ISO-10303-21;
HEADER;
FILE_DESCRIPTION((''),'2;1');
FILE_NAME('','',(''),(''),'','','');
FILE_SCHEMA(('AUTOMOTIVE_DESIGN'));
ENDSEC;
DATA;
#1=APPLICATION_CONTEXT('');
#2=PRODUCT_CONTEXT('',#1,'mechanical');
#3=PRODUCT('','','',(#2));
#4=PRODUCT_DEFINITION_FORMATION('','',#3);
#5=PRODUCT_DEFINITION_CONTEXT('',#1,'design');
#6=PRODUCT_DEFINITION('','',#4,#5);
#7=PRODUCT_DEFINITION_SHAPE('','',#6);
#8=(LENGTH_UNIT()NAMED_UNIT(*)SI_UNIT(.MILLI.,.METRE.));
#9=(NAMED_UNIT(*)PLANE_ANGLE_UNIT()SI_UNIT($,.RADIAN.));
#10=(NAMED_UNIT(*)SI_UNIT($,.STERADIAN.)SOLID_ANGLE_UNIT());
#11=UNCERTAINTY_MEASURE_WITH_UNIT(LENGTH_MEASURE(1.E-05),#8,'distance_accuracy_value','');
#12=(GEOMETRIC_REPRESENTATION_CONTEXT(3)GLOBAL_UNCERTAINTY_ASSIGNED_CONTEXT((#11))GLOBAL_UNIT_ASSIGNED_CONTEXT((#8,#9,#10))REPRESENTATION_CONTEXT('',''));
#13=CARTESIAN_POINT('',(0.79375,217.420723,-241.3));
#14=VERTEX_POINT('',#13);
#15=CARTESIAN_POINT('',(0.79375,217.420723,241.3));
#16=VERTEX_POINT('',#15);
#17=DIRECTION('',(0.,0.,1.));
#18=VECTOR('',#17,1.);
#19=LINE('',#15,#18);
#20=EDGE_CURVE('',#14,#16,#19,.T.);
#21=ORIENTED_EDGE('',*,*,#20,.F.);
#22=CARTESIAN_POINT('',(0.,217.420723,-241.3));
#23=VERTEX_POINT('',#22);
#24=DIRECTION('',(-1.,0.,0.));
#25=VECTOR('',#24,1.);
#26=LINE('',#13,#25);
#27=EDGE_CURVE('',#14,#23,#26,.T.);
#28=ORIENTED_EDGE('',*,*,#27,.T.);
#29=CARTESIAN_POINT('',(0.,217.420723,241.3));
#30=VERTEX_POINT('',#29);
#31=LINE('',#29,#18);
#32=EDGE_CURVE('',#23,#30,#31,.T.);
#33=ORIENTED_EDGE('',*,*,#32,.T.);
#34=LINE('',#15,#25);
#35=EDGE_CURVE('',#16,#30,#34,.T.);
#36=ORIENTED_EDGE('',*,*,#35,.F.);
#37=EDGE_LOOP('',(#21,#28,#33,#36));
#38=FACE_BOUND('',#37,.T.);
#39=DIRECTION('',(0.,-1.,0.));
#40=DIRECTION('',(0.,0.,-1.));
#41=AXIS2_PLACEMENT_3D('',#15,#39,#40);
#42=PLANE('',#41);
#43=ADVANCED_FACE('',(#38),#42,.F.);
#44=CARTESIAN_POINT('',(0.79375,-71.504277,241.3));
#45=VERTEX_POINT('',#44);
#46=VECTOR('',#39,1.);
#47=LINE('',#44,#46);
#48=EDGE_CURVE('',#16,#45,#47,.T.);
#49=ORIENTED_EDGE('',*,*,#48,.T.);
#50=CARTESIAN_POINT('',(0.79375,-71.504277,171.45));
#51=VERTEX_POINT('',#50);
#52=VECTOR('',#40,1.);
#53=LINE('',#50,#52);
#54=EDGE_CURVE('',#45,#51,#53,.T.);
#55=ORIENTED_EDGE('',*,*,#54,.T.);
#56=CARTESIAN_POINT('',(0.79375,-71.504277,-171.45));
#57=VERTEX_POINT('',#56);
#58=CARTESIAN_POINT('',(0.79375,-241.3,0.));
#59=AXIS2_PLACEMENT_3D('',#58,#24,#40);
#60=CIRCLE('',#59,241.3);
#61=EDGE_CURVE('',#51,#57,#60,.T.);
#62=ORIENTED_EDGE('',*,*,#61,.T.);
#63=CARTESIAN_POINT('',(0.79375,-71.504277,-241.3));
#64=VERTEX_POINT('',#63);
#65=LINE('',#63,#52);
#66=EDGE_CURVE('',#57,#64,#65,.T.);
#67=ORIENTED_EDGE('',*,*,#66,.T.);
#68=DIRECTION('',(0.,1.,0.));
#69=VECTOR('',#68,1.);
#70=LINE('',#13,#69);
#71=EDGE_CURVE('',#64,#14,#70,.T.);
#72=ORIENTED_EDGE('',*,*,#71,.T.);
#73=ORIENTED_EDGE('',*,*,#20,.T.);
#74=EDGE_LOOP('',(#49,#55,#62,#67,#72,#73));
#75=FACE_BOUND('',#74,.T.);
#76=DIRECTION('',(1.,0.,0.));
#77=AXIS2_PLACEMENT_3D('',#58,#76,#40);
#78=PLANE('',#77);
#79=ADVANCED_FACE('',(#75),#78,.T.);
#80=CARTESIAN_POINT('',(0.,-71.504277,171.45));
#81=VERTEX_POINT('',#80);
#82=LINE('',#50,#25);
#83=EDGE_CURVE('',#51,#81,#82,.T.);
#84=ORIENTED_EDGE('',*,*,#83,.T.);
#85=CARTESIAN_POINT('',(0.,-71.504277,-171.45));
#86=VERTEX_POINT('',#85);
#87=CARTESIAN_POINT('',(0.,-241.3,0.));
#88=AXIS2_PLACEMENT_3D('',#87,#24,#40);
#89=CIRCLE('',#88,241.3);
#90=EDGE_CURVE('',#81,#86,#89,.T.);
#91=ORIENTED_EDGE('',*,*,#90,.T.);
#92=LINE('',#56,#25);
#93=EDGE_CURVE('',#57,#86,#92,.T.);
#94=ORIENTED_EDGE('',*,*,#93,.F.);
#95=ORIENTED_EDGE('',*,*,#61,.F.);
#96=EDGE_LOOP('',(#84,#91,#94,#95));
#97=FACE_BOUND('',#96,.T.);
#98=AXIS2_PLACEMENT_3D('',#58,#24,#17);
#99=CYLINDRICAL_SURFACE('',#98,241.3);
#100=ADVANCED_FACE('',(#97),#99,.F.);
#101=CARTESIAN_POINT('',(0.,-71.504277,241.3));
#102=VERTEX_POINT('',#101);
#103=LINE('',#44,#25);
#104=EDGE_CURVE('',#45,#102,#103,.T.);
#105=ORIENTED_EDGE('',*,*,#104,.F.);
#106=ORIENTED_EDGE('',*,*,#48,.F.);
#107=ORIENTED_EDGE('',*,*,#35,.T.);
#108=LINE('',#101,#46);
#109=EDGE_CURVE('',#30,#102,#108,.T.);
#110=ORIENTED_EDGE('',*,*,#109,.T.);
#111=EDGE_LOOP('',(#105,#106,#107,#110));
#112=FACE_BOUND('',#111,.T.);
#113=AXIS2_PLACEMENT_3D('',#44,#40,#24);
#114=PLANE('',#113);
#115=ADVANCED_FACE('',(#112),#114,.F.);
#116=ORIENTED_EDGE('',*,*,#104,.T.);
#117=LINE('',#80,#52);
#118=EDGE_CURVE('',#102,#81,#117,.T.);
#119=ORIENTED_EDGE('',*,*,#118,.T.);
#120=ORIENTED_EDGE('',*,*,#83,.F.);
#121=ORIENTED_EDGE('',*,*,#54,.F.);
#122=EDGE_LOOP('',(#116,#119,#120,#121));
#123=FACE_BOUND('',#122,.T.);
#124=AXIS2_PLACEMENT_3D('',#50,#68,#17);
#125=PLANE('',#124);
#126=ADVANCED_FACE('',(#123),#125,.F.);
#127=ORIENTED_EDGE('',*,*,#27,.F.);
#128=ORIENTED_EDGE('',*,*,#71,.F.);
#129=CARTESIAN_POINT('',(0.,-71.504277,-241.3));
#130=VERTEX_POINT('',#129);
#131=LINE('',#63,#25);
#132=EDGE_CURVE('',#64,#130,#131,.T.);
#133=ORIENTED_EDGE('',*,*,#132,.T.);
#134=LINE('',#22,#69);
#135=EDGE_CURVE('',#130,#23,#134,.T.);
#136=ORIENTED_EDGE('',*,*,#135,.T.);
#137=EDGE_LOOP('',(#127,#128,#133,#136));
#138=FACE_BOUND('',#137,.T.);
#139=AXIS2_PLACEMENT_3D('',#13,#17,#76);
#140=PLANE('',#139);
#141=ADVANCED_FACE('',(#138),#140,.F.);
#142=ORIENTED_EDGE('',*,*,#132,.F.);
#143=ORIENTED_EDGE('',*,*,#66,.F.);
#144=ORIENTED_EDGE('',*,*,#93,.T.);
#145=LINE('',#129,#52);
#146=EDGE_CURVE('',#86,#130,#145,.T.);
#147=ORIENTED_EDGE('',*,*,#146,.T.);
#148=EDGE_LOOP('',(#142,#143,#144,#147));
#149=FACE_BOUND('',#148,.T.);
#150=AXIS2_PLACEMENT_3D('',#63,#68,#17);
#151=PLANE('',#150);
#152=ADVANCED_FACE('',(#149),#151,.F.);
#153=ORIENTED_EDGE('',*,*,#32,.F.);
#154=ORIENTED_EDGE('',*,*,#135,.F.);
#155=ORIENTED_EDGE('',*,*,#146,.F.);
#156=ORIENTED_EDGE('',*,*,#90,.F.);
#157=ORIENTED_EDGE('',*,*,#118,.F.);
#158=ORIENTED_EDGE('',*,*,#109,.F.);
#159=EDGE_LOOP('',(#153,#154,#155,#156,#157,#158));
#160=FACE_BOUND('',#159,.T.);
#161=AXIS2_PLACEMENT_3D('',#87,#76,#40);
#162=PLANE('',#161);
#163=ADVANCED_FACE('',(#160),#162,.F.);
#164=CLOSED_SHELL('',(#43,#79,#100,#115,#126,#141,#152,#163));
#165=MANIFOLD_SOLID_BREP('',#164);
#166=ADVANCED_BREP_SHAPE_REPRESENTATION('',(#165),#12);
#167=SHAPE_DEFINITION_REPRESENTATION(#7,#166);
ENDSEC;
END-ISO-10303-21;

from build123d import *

# Parameters (mm, degrees)
BOSS_EXTRUDE1_DEPTH = 0.79375


with BuildPart() as part:
    # Sketch1 → Boss-Extrude1 (new body)
    with BuildSketch(Plane(origin=(0, 0, 0), x_dir=(0, 0, -1), z_dir=(1, 0, 0))):
        with BuildLine():
            Line((-241.3, 217.420722855), (241.3, 217.420722855))
            Line((241.3, 217.420722855), (241.3, -71.504277145))
            Line((241.3, -71.504277145), (171.45, -71.504277145))
            ThreePointArc((171.45, -71.504277145), (0, 0), (-171.45, -71.504277145))
            Line((-171.45, -71.504277145), (-241.3, -71.504277145))
            Line((-241.3, -71.504277145), (-241.3, 217.420722855))
        make_face()
    extrude(amount=BOSS_EXTRUDE1_DEPTH)


solid = part.part
